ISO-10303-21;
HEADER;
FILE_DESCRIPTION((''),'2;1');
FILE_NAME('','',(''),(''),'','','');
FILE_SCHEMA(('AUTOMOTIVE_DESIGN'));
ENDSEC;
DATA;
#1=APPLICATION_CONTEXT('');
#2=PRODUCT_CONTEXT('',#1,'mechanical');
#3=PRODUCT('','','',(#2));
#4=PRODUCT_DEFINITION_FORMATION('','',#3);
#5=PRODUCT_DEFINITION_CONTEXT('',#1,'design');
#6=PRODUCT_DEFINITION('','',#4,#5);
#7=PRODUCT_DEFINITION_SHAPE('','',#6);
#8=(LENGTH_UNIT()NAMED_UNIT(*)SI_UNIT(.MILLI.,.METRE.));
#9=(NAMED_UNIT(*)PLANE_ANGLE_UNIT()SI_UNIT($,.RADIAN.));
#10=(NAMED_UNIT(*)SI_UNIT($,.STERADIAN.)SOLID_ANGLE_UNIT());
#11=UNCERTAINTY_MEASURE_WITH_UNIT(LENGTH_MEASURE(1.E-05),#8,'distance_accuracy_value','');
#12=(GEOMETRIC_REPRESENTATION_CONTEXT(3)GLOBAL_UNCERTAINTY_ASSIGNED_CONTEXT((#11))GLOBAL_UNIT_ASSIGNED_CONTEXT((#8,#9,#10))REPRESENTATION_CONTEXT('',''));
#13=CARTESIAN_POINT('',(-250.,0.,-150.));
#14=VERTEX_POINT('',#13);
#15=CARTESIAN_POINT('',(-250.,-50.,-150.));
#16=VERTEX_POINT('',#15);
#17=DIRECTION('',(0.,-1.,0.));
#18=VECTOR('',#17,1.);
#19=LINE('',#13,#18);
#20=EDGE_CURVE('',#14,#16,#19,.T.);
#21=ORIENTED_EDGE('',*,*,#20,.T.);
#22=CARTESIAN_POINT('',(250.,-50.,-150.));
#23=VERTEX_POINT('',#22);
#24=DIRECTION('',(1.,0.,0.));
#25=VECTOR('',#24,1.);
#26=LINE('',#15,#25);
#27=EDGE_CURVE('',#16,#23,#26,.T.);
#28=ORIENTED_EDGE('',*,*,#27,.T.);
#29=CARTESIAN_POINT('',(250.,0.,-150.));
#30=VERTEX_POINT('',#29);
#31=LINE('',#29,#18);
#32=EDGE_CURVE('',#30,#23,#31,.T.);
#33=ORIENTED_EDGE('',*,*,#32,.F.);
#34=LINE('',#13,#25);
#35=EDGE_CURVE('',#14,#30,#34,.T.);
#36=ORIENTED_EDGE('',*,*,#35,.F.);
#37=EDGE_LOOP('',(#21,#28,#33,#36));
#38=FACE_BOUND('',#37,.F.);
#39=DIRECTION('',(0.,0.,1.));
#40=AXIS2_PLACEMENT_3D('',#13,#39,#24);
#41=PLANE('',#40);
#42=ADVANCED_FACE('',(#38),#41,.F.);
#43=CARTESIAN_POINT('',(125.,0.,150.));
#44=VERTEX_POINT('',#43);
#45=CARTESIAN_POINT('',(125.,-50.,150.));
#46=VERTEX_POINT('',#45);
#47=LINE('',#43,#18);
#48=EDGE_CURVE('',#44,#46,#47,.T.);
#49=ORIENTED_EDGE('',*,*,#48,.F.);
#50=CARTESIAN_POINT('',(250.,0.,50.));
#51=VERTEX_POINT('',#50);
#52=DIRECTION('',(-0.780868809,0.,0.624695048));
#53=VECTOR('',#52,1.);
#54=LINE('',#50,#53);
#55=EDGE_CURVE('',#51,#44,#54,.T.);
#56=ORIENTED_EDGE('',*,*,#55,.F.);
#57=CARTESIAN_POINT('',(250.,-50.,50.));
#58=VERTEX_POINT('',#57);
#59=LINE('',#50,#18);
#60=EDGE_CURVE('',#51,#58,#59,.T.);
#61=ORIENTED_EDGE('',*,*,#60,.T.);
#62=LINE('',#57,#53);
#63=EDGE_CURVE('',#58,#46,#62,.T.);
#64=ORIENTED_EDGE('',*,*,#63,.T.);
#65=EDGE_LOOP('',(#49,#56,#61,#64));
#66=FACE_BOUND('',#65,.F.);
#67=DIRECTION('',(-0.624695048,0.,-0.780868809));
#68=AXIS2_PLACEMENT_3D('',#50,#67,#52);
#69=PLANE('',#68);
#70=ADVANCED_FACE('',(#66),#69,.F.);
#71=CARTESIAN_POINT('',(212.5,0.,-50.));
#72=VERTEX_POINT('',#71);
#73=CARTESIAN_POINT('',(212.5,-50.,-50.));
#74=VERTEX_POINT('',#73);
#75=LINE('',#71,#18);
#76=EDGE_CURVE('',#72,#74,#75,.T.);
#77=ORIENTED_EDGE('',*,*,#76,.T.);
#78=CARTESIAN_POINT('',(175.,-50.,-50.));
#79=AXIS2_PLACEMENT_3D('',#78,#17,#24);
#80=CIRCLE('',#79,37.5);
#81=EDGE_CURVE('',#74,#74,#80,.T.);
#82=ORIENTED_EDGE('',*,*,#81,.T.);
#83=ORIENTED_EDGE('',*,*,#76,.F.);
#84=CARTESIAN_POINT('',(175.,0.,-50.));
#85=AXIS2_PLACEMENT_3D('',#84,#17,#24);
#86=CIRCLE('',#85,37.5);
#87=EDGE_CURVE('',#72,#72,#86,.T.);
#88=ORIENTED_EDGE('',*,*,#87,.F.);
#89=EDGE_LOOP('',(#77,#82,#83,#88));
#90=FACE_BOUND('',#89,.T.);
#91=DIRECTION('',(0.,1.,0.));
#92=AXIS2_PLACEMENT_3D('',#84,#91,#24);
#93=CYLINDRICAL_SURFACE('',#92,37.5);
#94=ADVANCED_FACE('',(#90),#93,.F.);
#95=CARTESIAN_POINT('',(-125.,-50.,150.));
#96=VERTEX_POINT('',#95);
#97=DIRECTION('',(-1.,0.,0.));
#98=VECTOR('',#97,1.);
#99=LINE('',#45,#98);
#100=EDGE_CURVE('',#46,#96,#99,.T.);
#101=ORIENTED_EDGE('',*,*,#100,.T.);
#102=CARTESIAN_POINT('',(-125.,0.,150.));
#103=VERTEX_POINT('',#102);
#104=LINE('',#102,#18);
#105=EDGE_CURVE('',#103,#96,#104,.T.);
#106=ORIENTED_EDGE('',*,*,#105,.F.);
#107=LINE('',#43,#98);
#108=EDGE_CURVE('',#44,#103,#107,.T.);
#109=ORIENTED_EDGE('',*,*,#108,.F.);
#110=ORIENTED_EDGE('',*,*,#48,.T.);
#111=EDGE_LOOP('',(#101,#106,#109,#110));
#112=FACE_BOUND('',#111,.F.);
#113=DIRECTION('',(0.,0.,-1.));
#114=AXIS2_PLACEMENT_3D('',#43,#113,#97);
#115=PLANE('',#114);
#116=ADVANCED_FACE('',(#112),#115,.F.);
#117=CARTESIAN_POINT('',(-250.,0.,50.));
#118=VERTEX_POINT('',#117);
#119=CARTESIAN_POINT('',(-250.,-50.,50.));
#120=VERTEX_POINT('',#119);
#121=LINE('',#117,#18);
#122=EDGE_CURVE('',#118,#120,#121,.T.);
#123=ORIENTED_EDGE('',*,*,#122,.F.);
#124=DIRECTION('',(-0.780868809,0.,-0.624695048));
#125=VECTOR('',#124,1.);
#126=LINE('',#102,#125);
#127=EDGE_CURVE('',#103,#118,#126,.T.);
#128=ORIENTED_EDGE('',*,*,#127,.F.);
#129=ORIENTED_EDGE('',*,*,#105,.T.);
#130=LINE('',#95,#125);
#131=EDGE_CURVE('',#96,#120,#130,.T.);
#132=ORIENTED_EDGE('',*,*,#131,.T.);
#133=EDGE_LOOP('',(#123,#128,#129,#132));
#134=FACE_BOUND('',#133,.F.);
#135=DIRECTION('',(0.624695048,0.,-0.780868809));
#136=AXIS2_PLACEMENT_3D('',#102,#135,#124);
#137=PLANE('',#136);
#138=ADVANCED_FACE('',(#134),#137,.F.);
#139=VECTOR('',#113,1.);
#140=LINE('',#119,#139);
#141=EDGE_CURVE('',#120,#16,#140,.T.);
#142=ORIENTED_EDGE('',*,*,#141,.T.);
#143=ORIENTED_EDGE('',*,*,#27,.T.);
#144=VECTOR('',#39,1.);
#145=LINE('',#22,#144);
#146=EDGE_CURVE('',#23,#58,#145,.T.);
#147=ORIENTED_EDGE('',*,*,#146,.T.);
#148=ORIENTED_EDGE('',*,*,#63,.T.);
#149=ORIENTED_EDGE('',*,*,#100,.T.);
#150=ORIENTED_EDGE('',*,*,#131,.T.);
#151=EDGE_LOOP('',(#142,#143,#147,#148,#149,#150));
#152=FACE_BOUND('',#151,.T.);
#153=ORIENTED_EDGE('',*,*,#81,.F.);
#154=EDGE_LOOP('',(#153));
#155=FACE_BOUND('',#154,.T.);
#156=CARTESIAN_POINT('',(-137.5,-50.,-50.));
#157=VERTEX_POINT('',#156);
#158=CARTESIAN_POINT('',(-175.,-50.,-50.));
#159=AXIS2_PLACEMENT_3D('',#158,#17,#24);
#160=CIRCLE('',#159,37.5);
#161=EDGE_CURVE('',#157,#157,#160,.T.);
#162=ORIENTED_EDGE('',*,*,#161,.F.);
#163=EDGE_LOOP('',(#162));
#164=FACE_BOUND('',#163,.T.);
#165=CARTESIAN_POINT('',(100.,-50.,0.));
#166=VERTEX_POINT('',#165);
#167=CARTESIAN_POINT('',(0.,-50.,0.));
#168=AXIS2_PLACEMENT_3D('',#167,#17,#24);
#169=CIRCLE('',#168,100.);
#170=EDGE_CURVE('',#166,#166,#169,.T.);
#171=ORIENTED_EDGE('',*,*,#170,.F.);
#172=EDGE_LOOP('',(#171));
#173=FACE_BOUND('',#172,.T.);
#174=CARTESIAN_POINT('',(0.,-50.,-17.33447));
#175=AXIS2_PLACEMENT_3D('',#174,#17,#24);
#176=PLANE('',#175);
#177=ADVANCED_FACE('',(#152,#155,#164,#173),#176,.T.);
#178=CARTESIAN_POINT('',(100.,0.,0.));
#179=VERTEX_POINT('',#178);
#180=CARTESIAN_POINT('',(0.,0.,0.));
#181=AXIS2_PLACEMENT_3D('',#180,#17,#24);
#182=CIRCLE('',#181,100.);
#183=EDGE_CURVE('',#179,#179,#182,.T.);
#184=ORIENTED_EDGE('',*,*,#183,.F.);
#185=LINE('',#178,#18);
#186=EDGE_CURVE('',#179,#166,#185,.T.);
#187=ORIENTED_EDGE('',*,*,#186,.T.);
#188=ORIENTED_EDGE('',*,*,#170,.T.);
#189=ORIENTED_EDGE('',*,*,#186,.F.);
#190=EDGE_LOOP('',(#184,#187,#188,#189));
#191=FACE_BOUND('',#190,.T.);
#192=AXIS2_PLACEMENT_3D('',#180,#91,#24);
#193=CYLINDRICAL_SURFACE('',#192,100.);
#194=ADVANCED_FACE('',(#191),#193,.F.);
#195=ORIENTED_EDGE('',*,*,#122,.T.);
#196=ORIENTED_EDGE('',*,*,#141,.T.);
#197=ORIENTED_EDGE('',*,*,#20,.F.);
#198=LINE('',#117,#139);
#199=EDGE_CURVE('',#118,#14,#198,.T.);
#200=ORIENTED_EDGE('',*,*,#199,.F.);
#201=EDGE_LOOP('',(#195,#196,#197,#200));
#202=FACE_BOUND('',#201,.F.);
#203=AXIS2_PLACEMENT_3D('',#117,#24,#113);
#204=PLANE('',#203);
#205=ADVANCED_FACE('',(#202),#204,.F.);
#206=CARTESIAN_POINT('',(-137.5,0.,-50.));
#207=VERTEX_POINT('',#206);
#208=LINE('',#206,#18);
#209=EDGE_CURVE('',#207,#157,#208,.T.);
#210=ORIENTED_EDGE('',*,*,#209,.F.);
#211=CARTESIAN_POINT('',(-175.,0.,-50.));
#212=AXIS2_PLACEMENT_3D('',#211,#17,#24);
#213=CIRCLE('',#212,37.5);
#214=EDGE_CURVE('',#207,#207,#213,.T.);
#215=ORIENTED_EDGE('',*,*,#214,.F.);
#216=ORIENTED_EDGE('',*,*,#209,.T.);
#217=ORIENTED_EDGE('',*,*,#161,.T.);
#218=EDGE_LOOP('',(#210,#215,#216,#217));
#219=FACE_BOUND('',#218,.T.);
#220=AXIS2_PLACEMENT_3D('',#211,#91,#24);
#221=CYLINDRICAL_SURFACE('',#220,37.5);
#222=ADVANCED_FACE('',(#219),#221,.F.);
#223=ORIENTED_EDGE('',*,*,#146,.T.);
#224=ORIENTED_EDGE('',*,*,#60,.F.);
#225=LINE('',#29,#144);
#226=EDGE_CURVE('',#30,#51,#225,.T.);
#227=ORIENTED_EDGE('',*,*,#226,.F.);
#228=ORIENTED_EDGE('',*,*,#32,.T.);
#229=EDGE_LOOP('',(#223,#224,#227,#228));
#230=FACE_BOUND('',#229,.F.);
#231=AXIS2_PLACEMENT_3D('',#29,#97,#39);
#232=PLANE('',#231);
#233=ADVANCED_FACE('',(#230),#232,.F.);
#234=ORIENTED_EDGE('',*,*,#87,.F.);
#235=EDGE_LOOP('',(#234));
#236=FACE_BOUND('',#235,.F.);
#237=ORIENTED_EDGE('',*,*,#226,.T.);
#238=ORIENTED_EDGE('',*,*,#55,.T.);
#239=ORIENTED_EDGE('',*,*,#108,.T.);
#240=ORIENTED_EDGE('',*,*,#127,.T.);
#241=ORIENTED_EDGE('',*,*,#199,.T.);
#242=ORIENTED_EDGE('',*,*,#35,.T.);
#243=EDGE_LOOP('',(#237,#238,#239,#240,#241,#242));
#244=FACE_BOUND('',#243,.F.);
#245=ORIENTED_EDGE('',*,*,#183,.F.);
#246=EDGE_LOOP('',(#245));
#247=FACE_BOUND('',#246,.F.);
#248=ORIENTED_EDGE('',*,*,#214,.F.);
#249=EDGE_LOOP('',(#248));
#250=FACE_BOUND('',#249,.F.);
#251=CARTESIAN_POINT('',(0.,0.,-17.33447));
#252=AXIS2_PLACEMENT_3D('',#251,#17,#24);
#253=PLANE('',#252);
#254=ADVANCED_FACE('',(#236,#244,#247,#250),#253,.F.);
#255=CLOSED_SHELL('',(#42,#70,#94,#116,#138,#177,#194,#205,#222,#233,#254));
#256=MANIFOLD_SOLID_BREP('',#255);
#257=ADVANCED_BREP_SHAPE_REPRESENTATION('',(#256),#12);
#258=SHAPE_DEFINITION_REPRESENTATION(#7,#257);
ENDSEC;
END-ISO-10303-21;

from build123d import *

# Parameters (mm, degrees)
F0_R     = 37.5
F0_R_2   = 100
F1_DEPTH = 50


with BuildPart() as f1:
    # F0 (on Front) → F1 (new body)
    with BuildSketch(Plane.XZ):
        Polygon((250, 50), (125, 150), (-125, 150), (-250, 50), (-250, 0), (-250, -150), (0, -150), (175, -150), (250, -150), (250, -50), align=None)
        with Locations((-175, -50)):
            Circle(F0_R, mode=Mode.SUBTRACT)
        with Locations((175, -50)):
            Circle(F0_R, mode=Mode.SUBTRACT)
        Circle(F0_R_2, mode=Mode.SUBTRACT)
    extrude(amount=F1_DEPTH)


solid = f1.part
